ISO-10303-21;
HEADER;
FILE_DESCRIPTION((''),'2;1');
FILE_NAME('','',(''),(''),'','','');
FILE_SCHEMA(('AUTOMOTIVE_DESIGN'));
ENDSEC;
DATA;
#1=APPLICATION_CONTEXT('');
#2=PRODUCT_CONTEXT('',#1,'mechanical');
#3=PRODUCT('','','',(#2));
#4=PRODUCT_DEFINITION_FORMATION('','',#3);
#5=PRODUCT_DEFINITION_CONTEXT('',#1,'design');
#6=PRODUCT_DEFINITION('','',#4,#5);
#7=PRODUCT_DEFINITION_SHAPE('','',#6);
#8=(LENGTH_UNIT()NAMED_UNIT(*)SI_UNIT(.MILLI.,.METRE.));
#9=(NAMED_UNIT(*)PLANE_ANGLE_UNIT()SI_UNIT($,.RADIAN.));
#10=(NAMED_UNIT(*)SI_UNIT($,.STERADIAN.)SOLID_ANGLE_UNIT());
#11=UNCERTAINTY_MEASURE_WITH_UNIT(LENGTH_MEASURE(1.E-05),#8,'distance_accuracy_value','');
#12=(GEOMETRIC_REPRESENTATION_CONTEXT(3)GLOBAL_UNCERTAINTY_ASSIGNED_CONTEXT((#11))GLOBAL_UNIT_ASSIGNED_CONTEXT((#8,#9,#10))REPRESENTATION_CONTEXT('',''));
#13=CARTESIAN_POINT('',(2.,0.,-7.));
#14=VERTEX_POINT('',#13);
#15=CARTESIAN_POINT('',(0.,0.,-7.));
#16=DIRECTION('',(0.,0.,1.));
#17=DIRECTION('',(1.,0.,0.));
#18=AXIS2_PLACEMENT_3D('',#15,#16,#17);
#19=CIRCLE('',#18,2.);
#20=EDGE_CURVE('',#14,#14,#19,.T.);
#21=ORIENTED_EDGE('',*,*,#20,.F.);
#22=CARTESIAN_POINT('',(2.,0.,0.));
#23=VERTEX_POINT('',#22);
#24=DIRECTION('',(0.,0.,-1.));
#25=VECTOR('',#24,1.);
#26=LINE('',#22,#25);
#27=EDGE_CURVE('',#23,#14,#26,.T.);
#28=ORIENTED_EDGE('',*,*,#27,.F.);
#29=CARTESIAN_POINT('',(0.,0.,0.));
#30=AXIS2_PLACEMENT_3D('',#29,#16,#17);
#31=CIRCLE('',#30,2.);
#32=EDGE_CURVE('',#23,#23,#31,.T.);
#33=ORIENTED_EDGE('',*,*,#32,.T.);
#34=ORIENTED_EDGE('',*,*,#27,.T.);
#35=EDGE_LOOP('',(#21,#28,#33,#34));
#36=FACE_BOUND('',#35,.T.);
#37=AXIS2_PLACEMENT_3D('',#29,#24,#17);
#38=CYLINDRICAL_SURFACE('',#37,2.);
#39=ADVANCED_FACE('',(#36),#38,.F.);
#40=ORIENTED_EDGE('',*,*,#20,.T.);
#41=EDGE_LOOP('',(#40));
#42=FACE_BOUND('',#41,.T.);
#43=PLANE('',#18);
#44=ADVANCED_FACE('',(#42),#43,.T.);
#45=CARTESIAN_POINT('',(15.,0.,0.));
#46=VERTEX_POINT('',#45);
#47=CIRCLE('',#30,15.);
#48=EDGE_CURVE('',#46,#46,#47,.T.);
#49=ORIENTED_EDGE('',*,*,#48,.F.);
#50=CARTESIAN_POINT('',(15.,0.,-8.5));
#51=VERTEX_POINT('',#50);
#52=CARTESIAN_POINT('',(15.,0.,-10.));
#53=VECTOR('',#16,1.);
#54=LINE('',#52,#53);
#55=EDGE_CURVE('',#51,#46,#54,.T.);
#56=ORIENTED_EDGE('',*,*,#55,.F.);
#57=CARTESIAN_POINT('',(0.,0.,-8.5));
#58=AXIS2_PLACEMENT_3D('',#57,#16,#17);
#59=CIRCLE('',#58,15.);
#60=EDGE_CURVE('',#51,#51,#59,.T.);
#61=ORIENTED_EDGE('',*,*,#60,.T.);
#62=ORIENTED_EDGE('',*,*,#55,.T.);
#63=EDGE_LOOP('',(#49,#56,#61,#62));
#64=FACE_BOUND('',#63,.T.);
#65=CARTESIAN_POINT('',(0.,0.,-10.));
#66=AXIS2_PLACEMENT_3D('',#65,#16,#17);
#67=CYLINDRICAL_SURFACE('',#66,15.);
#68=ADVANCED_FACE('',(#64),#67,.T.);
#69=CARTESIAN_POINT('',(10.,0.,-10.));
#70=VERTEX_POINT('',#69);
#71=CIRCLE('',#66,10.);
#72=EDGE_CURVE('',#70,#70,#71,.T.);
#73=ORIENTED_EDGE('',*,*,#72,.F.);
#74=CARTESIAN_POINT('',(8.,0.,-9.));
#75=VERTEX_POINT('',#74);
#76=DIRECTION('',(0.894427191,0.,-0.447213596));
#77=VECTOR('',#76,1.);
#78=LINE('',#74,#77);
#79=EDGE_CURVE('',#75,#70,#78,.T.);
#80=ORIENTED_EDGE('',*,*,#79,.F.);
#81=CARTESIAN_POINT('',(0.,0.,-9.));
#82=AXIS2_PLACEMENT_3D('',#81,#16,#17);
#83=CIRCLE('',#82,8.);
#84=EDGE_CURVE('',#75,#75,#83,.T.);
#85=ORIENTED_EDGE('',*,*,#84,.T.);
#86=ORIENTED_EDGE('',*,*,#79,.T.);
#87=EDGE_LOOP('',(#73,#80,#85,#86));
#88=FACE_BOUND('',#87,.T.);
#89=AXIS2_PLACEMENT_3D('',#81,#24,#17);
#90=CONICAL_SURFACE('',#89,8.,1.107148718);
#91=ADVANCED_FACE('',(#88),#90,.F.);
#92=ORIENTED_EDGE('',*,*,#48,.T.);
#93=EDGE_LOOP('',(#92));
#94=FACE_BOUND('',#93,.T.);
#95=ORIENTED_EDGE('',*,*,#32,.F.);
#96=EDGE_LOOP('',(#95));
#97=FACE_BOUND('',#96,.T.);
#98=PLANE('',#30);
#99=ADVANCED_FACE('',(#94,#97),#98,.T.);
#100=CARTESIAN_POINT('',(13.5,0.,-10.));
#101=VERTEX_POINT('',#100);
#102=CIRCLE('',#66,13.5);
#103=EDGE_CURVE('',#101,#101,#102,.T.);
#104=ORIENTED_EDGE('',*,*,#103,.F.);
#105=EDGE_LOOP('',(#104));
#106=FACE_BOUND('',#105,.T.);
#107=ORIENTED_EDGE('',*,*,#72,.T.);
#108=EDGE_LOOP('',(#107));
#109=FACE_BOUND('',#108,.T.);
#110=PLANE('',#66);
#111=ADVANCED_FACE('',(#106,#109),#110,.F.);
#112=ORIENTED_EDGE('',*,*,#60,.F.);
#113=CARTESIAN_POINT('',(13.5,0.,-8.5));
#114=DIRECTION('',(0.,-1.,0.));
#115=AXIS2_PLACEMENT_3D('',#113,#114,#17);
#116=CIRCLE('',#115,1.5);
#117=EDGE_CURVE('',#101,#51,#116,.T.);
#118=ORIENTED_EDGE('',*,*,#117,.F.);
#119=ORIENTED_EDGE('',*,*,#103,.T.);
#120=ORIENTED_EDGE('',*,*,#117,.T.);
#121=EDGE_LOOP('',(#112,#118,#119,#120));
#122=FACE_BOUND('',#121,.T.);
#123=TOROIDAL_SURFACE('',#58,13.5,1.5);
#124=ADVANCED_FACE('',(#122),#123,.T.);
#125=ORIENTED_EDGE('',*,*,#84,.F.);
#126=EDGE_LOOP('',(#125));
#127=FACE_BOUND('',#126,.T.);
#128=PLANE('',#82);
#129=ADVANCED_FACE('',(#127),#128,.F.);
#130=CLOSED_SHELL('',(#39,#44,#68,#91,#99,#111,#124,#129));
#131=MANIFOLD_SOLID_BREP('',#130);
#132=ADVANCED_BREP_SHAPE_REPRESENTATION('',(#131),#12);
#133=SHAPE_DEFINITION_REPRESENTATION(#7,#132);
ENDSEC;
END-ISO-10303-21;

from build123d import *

# Parameters (mm, degrees)
F2_R = 1.5


with BuildPart() as f1:
    # F0 (on Front) → F1 (revolve)
    with BuildSketch(Plane.XZ):
        Polygon((15, 0), (2, 0), (2, -7), (0, -7), (0, -9), (8, -9), (10, -10), (15, -10), align=None)
    revolve(axis=Axis((0, 0, -4.5), (0, 0, 1)))

    # F2
    f2_edges = [f1.edges().sort_by_distance(p)[0] for p in [
        (-15, 0, -10),
    ]]
    fillet(f2_edges, radius=F2_R)


solid = f1.part
